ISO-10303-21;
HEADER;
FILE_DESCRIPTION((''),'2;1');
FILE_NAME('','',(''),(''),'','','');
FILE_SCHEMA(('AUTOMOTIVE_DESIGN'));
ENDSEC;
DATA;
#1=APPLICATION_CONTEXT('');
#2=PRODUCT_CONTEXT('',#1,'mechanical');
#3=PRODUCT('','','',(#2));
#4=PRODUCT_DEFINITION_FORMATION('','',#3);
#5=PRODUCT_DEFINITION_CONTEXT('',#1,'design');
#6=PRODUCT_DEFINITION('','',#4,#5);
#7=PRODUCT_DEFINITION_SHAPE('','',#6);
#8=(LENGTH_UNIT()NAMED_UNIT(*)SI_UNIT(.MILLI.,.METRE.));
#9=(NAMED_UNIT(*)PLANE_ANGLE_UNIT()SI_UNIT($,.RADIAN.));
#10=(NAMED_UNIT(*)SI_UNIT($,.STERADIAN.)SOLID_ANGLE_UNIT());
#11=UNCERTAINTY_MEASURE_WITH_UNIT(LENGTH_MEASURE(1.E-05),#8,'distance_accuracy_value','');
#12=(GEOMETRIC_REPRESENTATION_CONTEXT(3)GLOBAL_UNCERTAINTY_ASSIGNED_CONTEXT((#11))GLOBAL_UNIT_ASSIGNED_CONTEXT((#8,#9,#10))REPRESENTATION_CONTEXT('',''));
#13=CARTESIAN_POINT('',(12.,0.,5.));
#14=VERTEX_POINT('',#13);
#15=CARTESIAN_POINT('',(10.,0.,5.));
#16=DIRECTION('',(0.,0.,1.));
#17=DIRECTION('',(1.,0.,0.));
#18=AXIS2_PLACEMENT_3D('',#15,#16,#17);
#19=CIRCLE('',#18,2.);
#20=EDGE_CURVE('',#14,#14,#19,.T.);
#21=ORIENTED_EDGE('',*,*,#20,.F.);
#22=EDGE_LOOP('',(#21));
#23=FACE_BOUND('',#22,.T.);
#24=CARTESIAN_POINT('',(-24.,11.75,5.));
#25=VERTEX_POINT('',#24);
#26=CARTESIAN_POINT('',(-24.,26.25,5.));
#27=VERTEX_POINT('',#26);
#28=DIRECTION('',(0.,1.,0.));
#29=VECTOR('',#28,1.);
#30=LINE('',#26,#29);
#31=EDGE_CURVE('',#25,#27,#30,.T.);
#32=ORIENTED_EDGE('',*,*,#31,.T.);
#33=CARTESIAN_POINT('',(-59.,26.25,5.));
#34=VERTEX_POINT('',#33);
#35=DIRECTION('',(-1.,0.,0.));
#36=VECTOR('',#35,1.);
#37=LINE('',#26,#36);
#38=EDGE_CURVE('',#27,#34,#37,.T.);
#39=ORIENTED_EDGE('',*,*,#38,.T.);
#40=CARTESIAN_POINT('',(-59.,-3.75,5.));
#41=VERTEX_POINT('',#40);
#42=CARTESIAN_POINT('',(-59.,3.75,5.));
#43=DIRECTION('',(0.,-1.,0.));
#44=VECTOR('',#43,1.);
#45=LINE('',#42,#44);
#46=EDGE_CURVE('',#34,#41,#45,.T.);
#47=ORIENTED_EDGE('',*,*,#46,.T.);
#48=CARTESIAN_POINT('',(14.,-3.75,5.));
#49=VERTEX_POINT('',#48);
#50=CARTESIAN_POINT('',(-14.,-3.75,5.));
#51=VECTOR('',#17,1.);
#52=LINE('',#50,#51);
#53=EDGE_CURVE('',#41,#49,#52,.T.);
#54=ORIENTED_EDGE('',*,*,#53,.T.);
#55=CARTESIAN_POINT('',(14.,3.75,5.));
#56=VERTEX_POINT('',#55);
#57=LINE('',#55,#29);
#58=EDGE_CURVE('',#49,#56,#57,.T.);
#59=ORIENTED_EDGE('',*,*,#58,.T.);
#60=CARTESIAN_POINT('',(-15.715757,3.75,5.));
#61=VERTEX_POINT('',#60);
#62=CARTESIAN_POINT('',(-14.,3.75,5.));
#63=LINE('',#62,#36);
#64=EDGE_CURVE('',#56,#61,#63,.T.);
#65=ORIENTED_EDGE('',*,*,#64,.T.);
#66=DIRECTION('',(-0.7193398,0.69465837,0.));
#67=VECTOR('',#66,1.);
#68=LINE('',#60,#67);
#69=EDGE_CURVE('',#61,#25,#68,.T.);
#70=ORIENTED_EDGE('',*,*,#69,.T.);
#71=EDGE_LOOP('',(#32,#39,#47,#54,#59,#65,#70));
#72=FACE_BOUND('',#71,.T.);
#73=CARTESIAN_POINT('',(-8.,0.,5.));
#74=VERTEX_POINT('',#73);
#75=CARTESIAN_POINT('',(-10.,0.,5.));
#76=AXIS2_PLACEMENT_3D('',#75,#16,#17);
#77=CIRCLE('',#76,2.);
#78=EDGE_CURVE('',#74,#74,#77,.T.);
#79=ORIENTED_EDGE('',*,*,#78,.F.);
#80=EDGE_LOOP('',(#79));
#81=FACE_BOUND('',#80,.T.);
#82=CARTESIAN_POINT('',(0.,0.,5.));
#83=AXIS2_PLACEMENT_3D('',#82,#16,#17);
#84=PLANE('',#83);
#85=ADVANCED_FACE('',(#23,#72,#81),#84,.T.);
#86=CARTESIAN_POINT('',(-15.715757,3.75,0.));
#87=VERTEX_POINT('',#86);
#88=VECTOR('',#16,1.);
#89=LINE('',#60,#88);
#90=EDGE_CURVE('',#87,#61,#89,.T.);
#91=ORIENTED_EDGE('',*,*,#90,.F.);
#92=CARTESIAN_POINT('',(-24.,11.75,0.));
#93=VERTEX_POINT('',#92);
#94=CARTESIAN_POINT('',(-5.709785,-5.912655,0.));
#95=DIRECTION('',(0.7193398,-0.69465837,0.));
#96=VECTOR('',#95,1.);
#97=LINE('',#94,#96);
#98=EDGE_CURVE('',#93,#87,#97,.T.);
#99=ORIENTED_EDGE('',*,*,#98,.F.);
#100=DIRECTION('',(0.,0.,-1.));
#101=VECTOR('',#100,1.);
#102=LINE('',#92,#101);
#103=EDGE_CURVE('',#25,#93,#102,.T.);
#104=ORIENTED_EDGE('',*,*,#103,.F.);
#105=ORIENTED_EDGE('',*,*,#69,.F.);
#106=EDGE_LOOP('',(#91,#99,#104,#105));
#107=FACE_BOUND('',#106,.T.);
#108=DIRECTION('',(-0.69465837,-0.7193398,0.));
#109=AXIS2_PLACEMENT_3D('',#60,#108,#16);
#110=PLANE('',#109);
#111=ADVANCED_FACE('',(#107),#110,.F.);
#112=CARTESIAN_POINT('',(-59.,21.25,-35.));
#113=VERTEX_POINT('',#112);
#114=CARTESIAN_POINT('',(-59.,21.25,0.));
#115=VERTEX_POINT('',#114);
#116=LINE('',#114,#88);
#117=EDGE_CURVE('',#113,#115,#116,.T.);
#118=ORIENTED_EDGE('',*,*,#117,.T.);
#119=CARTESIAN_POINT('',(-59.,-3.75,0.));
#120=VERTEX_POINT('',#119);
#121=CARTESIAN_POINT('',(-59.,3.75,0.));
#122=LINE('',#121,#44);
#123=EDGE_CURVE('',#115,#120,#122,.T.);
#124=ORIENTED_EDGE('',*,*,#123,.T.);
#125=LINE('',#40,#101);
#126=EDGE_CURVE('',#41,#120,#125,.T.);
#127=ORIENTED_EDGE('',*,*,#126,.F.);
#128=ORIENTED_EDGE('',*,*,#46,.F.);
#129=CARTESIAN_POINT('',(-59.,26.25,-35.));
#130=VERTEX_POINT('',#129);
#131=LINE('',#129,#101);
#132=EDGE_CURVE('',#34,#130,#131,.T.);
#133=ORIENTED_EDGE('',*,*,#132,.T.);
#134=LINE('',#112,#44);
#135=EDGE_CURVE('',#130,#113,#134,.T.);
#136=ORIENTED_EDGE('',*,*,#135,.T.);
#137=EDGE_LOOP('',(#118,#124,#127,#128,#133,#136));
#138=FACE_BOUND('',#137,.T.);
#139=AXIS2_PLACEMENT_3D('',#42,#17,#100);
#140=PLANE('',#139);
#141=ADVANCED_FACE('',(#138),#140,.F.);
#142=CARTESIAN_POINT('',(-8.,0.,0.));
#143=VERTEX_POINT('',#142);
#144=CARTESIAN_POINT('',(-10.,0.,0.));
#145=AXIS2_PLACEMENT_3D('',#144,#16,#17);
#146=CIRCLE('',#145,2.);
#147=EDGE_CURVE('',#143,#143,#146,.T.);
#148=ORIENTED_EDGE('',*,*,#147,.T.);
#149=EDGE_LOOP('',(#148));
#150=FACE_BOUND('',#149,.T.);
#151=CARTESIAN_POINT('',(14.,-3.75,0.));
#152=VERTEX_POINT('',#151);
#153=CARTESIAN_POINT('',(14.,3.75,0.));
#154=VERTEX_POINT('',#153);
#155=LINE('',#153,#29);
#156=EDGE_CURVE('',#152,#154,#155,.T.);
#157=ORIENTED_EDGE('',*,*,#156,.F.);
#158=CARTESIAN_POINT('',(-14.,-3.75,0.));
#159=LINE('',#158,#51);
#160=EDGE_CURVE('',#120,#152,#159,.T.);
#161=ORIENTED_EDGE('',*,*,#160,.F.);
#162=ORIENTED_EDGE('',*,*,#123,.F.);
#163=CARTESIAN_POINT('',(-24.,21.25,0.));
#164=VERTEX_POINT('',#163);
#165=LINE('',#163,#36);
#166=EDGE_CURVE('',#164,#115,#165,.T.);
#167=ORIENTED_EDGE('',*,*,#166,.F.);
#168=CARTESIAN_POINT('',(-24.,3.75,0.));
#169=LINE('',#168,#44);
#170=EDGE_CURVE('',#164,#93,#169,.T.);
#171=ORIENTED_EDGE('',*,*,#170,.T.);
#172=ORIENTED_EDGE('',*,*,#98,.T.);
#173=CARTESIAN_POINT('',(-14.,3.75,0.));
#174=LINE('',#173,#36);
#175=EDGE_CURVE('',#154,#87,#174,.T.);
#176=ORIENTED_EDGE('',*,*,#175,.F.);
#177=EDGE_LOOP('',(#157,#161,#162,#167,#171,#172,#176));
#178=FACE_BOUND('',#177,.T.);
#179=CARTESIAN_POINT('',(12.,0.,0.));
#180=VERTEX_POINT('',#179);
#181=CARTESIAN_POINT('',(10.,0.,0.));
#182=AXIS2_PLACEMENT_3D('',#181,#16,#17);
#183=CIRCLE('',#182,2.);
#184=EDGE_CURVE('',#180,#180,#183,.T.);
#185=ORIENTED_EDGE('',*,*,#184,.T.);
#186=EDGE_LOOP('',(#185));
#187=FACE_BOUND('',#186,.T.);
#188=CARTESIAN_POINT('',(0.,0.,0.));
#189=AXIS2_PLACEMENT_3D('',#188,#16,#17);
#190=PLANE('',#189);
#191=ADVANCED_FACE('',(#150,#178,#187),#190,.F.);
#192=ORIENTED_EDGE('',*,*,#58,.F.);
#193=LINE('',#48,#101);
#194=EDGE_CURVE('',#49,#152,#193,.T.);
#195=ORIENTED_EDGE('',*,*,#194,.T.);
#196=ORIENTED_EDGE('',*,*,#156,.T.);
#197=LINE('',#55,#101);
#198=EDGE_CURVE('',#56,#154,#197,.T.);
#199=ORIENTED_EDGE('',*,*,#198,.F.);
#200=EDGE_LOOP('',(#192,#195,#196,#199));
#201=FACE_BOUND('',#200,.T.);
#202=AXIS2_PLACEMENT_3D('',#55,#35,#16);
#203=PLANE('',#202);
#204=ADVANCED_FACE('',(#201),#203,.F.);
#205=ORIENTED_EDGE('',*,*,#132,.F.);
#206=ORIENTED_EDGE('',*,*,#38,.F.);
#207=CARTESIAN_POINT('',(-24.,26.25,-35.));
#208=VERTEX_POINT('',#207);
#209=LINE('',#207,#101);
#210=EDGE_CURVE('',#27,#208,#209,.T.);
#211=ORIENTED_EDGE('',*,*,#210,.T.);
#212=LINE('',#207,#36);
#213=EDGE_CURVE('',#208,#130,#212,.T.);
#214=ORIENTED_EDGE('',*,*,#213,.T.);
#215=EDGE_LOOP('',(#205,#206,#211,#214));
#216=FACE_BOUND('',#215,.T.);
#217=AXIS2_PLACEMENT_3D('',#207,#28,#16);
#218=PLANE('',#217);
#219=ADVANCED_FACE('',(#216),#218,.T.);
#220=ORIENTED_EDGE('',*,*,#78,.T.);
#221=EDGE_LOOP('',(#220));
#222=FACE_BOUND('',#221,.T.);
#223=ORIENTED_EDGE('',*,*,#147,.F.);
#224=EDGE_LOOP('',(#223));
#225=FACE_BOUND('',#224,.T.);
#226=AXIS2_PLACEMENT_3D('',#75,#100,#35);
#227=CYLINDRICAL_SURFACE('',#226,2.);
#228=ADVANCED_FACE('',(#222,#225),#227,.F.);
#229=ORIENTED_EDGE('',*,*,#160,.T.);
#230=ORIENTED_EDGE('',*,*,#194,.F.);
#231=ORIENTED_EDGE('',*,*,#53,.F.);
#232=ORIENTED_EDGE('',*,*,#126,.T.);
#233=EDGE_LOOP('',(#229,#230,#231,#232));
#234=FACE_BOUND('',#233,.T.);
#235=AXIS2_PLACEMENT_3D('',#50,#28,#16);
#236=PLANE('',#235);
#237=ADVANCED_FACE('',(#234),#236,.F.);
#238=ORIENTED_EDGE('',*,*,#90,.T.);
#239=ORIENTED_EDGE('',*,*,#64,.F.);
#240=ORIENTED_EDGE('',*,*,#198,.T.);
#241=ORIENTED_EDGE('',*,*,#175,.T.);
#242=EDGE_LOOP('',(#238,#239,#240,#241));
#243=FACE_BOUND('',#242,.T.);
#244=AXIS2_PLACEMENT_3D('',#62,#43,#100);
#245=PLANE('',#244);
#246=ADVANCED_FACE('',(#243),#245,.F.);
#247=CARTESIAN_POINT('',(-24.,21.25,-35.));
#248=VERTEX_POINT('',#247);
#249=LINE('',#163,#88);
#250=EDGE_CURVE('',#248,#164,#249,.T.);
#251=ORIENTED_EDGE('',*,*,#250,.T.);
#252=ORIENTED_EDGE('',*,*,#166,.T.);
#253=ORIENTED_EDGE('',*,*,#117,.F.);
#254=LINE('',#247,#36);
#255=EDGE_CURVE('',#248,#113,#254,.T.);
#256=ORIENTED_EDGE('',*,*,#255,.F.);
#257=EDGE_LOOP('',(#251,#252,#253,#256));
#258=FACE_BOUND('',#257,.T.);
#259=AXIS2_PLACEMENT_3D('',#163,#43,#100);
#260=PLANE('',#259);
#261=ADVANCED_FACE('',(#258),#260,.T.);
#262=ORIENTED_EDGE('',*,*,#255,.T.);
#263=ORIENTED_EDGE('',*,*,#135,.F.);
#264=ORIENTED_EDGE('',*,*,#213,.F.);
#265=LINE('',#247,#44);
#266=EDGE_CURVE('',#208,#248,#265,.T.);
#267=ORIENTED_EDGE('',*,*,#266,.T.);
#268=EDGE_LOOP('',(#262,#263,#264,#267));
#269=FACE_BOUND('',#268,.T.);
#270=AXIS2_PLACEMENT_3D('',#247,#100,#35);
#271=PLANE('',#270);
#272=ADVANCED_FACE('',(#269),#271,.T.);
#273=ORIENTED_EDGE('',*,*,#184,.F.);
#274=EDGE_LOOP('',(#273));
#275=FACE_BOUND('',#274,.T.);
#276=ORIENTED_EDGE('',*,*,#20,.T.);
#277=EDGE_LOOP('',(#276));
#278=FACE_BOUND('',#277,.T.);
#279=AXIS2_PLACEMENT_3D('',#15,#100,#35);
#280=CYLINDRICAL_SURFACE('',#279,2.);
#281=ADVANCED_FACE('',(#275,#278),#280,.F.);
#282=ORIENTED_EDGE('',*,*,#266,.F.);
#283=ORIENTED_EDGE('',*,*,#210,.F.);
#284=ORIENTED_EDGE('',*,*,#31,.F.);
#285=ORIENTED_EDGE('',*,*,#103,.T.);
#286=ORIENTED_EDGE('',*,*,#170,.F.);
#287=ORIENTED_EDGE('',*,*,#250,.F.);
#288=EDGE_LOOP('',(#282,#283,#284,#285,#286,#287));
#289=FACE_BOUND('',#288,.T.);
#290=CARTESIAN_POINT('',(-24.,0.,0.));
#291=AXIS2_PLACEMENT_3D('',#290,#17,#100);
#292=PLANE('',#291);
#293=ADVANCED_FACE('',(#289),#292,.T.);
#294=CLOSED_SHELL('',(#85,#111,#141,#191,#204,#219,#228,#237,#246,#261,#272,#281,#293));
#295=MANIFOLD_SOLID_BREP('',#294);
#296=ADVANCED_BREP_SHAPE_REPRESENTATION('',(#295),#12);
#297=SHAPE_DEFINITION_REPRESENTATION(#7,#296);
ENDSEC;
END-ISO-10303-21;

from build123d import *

# Parameters (mm, degrees)
SKETCH1_R           = 2
BOSS_EXTRUDE1_DEPTH = 5
BOSS_EXTRUDE2_DEPTH = 35
CHAMFER1_SIZE       = 8
CHAMFER1_SIZE2      = 8.28424251


with BuildPart() as part:
    # Sketch1 → Boss-Extrude1 (new body)
    with BuildSketch(Plane.XY):
        Polygon((-14, 3.75), (14, 3.75), (14, -3.75), (-14, -3.75), (-59, -3.75), (-59, 3.75), align=None)
        with Locations((-10, 0)):
            Circle(SKETCH1_R, mode=Mode.SUBTRACT)
        with Locations((10, 0)):
            Circle(SKETCH1_R, mode=Mode.SUBTRACT)
    extrude(amount=BOSS_EXTRUDE1_DEPTH)

    # Sketch2 → Boss-Extrude2 (add)
    with BuildSketch(Plane.ZY.offset(59)):
        Polygon((0, 3.75), (0, 21.25), (-35, 21.25), (-35, 26.25), (5, 26.25), (5, 3.75), align=None)
    extrude(amount=-BOSS_EXTRUDE2_DEPTH)

    # Chamfer1
    chamfer1_edges = [part.edges().sort_by_distance(p)[0] for p in [
        (-24, 3.75, 2.5),
    ]]
    chamfer1_side = [part.faces().sort_by_distance(p)[0] for p in [
        (-24, 12.5, 0.458938994),
    ]]
    chamfer(chamfer1_edges, length=CHAMFER1_SIZE, length2=CHAMFER1_SIZE2, reference=chamfer1_side[0])


solid = part.part
